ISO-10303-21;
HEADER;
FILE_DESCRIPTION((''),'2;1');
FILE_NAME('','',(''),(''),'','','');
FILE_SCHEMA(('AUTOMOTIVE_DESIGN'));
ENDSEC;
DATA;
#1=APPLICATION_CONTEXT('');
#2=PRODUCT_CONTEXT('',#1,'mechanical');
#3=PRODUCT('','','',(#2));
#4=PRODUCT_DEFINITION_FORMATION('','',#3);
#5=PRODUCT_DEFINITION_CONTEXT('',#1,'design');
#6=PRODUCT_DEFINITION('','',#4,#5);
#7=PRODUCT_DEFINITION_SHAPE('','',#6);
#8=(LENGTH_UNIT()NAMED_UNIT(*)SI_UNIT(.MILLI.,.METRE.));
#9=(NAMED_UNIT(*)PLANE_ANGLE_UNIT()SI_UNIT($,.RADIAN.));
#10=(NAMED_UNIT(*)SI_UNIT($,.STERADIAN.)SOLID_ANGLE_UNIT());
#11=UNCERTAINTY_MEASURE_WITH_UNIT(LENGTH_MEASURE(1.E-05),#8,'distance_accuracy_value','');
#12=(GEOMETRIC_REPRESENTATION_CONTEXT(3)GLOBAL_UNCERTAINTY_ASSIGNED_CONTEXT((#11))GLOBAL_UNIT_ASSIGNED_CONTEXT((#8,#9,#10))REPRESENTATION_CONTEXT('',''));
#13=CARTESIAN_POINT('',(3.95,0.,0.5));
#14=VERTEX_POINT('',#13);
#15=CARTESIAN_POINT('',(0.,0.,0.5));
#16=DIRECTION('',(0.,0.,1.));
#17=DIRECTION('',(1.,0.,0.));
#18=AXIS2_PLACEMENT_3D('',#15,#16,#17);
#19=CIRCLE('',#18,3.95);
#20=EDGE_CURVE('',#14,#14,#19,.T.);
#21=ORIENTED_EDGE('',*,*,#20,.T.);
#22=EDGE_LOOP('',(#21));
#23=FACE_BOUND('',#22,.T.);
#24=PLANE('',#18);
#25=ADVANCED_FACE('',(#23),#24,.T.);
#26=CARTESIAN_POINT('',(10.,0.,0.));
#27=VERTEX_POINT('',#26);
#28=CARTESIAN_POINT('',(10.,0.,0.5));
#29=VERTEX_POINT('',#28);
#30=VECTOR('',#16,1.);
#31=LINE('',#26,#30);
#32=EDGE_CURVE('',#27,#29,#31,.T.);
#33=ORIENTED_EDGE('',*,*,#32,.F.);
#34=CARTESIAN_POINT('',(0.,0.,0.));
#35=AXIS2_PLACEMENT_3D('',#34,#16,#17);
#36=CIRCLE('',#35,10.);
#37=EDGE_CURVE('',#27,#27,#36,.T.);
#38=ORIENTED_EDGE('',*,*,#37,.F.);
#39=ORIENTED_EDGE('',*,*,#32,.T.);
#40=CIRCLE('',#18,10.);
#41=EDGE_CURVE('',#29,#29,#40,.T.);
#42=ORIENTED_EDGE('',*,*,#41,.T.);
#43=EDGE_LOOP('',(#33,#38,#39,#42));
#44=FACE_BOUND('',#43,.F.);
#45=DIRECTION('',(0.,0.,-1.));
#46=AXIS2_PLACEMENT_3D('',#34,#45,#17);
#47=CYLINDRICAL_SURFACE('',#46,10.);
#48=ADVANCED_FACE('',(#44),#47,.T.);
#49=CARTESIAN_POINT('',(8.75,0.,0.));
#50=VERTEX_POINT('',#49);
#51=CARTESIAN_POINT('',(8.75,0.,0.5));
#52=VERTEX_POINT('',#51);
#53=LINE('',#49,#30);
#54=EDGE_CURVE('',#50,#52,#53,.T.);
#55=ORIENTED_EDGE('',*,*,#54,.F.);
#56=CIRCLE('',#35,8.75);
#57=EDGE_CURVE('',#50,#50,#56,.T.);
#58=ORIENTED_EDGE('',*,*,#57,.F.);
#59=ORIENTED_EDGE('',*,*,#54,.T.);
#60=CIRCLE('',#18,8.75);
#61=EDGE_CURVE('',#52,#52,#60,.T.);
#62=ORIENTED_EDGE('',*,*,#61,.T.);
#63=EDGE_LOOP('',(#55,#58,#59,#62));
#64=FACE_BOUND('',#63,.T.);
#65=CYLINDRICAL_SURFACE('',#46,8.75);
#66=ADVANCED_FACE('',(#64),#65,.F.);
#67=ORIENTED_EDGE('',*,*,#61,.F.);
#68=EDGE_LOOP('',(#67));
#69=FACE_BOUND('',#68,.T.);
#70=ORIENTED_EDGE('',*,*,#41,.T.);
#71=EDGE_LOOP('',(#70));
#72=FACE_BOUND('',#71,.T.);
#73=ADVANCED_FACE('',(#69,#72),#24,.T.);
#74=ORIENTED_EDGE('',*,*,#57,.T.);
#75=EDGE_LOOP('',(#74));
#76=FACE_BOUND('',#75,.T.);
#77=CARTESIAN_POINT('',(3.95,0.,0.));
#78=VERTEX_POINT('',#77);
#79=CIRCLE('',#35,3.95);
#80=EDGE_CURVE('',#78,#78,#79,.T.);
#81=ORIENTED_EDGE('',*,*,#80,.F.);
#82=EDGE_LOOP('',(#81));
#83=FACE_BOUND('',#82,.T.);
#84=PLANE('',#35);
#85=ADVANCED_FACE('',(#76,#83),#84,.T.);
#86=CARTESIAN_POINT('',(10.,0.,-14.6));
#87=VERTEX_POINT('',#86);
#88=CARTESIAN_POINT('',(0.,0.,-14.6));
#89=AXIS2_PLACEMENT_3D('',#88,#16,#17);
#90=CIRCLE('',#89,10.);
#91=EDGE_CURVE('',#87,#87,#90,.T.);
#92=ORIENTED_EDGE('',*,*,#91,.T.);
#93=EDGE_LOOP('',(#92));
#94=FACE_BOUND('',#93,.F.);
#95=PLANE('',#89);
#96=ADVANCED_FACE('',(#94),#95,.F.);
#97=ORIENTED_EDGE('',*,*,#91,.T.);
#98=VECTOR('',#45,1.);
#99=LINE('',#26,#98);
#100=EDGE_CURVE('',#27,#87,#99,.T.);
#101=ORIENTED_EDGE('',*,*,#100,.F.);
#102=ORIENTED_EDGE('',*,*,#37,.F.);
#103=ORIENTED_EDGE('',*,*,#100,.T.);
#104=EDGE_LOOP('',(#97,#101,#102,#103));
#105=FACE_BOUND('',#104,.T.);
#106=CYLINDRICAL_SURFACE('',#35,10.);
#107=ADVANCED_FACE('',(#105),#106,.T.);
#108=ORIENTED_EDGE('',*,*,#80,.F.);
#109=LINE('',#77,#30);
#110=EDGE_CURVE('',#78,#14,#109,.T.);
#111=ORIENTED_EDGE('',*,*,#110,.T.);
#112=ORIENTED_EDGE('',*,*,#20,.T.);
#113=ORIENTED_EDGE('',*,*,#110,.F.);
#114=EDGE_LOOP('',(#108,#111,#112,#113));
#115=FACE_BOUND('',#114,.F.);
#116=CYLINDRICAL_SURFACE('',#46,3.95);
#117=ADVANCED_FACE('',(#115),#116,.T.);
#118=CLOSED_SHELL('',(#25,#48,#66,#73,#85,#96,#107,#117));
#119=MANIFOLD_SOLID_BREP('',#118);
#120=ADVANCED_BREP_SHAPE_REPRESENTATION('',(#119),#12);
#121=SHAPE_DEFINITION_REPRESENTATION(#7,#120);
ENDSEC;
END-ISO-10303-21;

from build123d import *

# Parameters (mm, degrees)
F0_R     = 10
F0_R_2   = 8.75
F0_R_3   = 3.95
F1_DEPTH = 14.6
F2_DEPTH = 0.5


with BuildPart() as f1:
    # F0 (on Top) → F1 (new body)
    with BuildSketch(Plane.XY):
        Circle(F0_R)
        Circle(F0_R_2, mode=Mode.SUBTRACT)
        Circle(F0_R_2)
        Circle(F0_R_3, mode=Mode.SUBTRACT)
        Circle(F0_R_3)
    extrude(amount=-F1_DEPTH)

    # F0 (on Top) → F2 (join)
    with BuildSketch(Plane.XY):
        Circle(F0_R)
        Circle(F0_R_2, mode=Mode.SUBTRACT)
        Circle(F0_R_3)
    extrude(amount=F2_DEPTH)


solid = f1.part
